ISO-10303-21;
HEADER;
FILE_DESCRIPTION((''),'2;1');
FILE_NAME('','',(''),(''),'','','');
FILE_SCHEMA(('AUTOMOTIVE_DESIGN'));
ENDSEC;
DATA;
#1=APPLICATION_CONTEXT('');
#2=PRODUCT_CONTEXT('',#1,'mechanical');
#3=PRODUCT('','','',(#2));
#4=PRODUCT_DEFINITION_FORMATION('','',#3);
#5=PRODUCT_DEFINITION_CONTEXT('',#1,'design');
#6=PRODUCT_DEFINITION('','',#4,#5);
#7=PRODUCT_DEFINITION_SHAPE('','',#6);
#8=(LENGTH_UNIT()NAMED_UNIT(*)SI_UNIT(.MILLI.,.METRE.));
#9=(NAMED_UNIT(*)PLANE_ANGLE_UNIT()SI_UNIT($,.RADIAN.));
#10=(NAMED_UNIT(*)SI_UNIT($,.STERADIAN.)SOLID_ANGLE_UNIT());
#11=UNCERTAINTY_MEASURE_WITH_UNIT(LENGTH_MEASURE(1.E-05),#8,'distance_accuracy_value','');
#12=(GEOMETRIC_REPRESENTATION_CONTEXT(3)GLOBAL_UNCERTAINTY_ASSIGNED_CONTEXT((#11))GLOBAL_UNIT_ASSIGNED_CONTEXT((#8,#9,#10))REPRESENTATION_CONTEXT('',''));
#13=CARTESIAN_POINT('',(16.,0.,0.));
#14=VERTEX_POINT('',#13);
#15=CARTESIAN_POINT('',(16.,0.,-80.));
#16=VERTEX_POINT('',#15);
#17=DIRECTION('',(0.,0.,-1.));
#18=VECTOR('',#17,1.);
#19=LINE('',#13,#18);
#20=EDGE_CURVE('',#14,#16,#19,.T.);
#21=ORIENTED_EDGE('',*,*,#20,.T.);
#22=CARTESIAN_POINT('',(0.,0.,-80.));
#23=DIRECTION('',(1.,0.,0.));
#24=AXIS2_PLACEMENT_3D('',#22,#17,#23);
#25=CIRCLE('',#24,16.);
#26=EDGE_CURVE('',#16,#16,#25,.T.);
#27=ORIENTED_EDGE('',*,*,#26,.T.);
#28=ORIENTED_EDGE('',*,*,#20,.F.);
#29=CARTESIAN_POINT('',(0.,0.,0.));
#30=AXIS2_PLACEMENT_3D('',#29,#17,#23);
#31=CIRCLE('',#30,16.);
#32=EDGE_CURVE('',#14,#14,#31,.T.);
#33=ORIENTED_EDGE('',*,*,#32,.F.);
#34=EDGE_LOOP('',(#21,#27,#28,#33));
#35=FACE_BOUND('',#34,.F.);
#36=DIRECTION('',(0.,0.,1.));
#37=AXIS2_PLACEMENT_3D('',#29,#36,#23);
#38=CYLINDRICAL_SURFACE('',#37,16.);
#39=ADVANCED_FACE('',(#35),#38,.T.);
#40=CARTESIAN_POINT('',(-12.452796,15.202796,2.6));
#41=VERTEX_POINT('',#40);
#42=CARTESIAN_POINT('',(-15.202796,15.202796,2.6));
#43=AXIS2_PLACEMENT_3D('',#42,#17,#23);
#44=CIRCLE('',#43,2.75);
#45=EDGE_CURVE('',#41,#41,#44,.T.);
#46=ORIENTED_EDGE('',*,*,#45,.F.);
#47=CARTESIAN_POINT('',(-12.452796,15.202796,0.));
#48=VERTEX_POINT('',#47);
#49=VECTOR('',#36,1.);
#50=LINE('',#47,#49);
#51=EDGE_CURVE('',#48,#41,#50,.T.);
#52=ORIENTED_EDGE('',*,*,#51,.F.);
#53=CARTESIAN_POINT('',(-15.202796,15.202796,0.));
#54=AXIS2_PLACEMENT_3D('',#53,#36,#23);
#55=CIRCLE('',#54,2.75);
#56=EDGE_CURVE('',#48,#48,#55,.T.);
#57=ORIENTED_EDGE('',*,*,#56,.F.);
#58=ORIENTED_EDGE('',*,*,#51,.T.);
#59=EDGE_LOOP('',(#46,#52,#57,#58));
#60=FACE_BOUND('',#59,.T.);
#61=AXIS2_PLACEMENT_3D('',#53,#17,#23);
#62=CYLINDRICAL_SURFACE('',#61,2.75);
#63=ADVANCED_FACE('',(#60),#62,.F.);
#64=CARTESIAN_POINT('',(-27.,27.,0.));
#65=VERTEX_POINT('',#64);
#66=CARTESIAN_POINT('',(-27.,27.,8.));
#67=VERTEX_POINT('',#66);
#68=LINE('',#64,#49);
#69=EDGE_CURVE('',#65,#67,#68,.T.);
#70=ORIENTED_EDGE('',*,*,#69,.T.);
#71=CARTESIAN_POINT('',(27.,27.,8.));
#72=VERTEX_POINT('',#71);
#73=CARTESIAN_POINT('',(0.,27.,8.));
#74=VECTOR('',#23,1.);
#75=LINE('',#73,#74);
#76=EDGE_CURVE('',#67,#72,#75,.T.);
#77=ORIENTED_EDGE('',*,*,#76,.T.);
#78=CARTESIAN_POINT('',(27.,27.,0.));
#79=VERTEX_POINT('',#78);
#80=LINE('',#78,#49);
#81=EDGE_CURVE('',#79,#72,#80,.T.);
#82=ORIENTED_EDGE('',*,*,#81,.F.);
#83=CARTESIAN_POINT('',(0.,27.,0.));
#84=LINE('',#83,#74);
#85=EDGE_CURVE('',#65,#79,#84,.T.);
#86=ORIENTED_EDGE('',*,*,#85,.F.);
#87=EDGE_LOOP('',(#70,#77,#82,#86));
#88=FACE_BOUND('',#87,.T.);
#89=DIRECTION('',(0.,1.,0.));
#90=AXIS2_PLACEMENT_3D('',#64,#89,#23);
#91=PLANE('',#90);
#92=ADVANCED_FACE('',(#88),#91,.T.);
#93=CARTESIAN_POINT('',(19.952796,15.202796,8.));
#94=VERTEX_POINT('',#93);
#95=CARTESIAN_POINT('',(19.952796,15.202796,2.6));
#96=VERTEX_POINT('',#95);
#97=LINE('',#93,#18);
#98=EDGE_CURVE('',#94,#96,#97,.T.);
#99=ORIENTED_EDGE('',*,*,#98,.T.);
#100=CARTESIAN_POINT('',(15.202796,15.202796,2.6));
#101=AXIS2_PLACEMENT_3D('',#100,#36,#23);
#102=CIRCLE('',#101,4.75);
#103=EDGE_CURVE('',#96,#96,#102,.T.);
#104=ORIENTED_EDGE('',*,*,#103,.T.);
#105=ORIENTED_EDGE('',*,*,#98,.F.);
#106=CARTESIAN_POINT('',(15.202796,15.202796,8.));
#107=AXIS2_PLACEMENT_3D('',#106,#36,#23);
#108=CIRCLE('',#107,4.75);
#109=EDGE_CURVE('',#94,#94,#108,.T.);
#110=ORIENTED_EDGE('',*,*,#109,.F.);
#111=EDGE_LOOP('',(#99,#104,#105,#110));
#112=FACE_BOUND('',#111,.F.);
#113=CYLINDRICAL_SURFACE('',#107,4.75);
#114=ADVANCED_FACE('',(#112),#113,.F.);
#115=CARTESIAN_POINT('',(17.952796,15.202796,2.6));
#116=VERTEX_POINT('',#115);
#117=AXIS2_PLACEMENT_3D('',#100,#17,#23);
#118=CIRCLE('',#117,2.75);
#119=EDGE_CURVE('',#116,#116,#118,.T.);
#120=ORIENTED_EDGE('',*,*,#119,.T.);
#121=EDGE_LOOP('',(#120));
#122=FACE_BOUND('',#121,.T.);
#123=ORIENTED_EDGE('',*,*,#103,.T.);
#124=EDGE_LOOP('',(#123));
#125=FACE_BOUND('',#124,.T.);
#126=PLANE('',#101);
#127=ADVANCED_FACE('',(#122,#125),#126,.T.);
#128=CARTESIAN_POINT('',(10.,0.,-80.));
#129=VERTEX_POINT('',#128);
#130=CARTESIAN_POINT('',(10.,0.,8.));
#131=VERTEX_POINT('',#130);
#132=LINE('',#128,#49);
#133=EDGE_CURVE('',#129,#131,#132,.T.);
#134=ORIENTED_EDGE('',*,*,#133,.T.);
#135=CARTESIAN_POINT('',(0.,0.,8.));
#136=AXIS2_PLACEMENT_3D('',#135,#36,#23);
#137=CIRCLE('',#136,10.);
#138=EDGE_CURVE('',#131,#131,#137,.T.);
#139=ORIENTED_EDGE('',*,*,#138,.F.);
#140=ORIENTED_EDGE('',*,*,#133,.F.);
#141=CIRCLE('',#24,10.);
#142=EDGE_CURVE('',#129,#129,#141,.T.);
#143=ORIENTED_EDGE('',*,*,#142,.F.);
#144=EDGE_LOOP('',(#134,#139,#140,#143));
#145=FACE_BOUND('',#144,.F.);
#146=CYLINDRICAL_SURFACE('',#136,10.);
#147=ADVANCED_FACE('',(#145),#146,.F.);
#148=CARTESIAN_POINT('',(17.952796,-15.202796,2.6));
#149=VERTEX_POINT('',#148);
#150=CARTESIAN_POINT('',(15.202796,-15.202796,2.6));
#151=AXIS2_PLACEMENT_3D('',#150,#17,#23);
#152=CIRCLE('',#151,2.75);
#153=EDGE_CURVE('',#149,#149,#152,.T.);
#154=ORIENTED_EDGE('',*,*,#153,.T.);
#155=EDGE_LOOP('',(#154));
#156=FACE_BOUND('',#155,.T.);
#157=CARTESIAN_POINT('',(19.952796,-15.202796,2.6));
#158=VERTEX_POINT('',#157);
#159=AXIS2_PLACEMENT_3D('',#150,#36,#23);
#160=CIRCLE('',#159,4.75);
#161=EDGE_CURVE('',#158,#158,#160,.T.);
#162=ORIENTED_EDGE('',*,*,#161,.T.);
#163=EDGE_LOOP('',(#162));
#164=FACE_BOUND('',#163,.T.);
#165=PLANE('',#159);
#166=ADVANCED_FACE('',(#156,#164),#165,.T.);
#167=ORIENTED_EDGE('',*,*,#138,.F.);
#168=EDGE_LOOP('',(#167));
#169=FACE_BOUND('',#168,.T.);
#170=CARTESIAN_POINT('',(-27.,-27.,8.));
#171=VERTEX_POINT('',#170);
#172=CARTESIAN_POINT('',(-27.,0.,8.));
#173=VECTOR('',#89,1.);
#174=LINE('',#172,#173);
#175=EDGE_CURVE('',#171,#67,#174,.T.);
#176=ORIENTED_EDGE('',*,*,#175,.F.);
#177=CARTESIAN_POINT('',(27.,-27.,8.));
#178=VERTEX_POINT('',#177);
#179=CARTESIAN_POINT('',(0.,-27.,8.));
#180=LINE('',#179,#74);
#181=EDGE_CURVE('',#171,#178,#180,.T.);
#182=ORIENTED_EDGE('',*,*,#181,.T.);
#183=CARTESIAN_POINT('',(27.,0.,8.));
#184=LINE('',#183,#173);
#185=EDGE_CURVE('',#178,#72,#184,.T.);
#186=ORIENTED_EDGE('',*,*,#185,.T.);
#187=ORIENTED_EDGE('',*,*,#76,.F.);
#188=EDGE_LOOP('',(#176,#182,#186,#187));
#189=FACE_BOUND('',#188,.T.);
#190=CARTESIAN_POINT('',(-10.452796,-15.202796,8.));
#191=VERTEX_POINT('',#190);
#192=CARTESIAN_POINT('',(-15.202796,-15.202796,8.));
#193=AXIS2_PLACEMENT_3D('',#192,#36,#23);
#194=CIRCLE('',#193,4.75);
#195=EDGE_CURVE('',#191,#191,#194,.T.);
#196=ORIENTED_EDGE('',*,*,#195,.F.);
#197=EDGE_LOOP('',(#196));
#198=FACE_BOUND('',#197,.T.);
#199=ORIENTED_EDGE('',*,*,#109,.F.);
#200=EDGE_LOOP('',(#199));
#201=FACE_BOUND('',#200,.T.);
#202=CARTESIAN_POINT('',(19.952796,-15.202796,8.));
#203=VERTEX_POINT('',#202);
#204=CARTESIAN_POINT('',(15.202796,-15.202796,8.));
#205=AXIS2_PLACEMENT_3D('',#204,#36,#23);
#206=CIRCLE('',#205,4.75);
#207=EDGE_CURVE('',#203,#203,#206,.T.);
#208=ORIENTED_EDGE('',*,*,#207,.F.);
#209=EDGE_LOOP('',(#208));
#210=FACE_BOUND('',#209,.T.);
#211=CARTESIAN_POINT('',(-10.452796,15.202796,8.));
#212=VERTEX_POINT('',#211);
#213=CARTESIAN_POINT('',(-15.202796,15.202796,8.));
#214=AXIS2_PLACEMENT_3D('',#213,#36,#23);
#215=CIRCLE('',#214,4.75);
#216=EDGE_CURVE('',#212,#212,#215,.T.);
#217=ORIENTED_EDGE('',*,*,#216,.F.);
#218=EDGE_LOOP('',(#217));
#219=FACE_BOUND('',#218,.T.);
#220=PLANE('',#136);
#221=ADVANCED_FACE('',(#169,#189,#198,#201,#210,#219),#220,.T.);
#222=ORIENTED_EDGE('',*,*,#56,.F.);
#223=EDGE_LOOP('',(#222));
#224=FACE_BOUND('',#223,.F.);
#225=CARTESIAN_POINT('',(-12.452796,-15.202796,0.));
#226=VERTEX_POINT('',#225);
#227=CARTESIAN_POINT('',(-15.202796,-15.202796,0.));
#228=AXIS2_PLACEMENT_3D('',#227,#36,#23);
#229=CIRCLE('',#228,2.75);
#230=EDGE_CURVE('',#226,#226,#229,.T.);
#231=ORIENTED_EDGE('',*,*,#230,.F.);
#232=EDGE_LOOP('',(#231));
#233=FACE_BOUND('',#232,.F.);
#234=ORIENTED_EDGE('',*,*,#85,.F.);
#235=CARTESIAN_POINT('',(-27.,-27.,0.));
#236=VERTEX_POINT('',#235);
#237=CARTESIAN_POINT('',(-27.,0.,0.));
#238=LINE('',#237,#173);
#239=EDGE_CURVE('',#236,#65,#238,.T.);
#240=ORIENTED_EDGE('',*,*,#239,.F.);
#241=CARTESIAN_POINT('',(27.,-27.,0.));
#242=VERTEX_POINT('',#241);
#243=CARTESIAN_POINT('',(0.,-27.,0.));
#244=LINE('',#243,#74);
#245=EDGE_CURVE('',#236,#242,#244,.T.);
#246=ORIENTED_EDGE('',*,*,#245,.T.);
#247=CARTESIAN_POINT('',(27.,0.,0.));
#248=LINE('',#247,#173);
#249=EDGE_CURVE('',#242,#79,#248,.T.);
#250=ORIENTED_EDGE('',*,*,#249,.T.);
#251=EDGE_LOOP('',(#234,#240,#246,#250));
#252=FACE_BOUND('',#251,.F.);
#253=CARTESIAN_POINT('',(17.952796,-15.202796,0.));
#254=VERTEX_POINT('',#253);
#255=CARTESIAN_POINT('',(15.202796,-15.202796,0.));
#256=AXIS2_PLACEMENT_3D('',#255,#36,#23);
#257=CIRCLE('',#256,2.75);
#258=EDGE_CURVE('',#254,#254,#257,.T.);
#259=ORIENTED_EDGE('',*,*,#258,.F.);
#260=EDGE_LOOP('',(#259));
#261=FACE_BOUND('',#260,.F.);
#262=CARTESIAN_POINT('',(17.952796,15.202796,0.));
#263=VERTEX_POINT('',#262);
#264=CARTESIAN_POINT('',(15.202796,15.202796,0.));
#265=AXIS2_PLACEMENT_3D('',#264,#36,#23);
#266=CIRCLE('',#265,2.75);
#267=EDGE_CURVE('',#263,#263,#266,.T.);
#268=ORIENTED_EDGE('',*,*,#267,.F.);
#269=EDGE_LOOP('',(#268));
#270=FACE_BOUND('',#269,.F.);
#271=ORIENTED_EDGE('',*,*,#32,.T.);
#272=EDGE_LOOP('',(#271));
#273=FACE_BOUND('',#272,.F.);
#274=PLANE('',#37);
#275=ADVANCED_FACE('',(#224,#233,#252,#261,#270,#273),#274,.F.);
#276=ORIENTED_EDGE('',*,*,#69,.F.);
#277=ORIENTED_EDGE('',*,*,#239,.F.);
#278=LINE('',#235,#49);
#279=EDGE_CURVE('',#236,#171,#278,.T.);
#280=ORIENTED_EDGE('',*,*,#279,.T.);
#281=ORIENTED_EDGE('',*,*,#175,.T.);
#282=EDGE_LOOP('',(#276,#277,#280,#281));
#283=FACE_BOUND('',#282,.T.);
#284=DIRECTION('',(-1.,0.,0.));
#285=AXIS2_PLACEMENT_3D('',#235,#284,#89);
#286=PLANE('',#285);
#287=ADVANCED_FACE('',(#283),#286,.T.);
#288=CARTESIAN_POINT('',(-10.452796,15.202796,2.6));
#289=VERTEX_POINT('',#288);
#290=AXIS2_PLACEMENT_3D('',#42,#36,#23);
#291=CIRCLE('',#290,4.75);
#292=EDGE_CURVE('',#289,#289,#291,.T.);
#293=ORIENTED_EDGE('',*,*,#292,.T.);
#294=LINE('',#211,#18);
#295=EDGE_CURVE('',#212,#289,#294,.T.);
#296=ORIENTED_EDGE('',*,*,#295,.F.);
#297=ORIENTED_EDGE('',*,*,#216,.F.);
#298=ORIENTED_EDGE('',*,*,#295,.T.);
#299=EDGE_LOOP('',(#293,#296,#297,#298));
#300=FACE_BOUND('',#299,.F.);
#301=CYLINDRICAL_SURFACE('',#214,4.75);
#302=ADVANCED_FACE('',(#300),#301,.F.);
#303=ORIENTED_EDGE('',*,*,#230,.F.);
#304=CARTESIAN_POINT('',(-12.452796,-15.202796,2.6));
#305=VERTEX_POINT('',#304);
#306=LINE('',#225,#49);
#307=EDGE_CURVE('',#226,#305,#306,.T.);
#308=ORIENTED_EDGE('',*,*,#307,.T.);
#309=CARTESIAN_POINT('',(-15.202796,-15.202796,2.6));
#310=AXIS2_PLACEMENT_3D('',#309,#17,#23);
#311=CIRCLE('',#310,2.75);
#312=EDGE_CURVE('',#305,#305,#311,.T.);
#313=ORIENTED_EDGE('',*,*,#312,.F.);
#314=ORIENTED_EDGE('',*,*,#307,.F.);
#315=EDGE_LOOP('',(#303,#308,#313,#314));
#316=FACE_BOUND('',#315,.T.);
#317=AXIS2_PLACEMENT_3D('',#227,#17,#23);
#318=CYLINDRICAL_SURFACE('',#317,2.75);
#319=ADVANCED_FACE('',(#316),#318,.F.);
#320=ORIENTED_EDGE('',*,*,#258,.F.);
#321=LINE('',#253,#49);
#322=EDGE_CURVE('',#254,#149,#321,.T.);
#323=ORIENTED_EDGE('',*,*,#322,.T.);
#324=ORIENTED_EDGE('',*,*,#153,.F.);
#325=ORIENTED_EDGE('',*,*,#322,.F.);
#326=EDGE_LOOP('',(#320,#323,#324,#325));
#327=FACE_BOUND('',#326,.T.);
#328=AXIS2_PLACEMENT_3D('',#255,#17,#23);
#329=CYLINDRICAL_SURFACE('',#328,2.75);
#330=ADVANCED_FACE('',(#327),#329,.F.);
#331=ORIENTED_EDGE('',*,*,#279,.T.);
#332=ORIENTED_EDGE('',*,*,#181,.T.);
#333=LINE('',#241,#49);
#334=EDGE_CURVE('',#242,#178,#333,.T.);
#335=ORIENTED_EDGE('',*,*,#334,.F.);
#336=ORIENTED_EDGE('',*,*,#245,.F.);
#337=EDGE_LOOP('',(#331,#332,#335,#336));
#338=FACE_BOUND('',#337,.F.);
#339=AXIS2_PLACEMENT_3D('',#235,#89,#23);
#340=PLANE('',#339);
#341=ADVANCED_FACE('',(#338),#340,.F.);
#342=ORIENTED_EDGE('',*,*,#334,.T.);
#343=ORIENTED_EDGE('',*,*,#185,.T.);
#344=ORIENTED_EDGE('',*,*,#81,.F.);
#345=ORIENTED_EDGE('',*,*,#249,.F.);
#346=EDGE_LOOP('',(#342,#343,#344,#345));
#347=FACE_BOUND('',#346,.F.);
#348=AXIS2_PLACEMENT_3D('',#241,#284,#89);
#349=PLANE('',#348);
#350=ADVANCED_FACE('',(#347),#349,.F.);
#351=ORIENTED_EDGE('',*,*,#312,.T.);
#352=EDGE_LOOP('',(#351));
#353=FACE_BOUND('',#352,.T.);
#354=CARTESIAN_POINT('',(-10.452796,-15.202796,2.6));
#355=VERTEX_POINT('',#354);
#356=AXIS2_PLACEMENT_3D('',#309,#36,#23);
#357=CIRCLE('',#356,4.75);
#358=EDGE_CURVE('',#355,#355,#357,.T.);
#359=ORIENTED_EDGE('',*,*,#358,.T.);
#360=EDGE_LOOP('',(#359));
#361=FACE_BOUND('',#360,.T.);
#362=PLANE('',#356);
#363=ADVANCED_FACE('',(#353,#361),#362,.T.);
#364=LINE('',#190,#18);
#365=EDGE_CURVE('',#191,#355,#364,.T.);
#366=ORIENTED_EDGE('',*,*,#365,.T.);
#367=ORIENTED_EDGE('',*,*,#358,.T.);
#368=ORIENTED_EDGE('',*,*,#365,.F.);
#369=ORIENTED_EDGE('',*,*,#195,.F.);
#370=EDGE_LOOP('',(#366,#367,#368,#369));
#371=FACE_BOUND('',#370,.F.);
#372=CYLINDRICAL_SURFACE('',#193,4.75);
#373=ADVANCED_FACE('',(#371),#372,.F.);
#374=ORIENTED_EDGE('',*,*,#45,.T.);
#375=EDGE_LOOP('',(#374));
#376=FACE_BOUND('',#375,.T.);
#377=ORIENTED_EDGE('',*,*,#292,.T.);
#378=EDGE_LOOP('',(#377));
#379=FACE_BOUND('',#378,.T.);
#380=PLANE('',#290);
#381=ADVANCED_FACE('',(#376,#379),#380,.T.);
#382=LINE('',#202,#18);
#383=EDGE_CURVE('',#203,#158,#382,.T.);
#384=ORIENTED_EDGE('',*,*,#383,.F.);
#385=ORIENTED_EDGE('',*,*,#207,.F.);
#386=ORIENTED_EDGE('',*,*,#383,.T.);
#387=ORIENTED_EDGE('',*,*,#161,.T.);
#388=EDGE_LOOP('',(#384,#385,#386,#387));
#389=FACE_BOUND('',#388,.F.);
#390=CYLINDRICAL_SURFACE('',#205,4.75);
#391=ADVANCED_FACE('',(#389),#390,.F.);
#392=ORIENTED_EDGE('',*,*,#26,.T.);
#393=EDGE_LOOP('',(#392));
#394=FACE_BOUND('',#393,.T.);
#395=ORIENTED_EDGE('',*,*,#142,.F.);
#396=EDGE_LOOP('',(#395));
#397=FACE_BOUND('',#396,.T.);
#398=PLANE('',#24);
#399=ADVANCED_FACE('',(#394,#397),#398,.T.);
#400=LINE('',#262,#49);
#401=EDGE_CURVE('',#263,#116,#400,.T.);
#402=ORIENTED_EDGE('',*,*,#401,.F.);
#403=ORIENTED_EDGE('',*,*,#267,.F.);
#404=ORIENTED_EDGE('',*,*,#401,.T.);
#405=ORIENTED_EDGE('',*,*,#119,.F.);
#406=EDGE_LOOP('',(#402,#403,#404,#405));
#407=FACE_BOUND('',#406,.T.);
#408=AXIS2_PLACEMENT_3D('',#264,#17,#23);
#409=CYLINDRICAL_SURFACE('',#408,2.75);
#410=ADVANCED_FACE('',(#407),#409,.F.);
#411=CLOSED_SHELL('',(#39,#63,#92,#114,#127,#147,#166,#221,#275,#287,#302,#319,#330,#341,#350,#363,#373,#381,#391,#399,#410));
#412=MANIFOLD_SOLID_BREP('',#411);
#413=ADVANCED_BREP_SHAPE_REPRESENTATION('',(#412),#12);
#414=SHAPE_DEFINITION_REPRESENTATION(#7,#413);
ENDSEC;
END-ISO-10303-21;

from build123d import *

# Parameters (mm, degrees)
F0_W     = 54
F0_H     = 54
F0_R     = 2.75
F1_DEPTH = 8
F2_R     = 16
F2_R_2   = 10
F3_DEPTH = 80
F4_R     = 4.75
F5_DEPTH = 5.4
F6_R     = 10
F7_DEPTH = 25


with BuildPart() as f1:
    # F0 (on Top) → F1 (new body)
    with BuildSketch(Plane.XY):
        Rectangle(F0_W, F0_H)
        with Locations((-15.202796, -15.202796)):
            Circle(F0_R, mode=Mode.SUBTRACT)
        with Locations((15.202796, -15.202796)):
            Circle(F0_R, mode=Mode.SUBTRACT)
        with Locations((-15.202796, 15.202796)):
            Circle(F0_R, mode=Mode.SUBTRACT)
        with Locations((15.202796, 15.202796)):
            Circle(F0_R, mode=Mode.SUBTRACT)
    extrude(amount=F1_DEPTH)

    # F2 (on face) → F3 (join)
    with BuildSketch(Plane(origin=(0, 0, 0), x_dir=(1, 0, 0), z_dir=(0, 0, -1))):
        Circle(F2_R)
        Circle(F2_R_2, mode=Mode.SUBTRACT)
    extrude(amount=F3_DEPTH)

    # F4 (on face) → F5 (cut)
    with BuildSketch(Plane.XY.offset(8)):
        with Locations((-15.202796, 15.202796)):
            Circle(F4_R)
        with Locations((15.202796, 15.202796)):
            Circle(F4_R)
        with Locations((15.202796, -15.202796)):
            Circle(F4_R)
        with Locations((-15.202796, -15.202796)):
            Circle(F4_R)
    extrude(amount=-F5_DEPTH, mode=Mode.SUBTRACT)

    # F6 (on face) → F7 (cut)
    with BuildSketch(Plane.XY.offset(8)):
        Circle(F6_R)
    extrude(amount=-F7_DEPTH, mode=Mode.SUBTRACT)


solid = f1.part
